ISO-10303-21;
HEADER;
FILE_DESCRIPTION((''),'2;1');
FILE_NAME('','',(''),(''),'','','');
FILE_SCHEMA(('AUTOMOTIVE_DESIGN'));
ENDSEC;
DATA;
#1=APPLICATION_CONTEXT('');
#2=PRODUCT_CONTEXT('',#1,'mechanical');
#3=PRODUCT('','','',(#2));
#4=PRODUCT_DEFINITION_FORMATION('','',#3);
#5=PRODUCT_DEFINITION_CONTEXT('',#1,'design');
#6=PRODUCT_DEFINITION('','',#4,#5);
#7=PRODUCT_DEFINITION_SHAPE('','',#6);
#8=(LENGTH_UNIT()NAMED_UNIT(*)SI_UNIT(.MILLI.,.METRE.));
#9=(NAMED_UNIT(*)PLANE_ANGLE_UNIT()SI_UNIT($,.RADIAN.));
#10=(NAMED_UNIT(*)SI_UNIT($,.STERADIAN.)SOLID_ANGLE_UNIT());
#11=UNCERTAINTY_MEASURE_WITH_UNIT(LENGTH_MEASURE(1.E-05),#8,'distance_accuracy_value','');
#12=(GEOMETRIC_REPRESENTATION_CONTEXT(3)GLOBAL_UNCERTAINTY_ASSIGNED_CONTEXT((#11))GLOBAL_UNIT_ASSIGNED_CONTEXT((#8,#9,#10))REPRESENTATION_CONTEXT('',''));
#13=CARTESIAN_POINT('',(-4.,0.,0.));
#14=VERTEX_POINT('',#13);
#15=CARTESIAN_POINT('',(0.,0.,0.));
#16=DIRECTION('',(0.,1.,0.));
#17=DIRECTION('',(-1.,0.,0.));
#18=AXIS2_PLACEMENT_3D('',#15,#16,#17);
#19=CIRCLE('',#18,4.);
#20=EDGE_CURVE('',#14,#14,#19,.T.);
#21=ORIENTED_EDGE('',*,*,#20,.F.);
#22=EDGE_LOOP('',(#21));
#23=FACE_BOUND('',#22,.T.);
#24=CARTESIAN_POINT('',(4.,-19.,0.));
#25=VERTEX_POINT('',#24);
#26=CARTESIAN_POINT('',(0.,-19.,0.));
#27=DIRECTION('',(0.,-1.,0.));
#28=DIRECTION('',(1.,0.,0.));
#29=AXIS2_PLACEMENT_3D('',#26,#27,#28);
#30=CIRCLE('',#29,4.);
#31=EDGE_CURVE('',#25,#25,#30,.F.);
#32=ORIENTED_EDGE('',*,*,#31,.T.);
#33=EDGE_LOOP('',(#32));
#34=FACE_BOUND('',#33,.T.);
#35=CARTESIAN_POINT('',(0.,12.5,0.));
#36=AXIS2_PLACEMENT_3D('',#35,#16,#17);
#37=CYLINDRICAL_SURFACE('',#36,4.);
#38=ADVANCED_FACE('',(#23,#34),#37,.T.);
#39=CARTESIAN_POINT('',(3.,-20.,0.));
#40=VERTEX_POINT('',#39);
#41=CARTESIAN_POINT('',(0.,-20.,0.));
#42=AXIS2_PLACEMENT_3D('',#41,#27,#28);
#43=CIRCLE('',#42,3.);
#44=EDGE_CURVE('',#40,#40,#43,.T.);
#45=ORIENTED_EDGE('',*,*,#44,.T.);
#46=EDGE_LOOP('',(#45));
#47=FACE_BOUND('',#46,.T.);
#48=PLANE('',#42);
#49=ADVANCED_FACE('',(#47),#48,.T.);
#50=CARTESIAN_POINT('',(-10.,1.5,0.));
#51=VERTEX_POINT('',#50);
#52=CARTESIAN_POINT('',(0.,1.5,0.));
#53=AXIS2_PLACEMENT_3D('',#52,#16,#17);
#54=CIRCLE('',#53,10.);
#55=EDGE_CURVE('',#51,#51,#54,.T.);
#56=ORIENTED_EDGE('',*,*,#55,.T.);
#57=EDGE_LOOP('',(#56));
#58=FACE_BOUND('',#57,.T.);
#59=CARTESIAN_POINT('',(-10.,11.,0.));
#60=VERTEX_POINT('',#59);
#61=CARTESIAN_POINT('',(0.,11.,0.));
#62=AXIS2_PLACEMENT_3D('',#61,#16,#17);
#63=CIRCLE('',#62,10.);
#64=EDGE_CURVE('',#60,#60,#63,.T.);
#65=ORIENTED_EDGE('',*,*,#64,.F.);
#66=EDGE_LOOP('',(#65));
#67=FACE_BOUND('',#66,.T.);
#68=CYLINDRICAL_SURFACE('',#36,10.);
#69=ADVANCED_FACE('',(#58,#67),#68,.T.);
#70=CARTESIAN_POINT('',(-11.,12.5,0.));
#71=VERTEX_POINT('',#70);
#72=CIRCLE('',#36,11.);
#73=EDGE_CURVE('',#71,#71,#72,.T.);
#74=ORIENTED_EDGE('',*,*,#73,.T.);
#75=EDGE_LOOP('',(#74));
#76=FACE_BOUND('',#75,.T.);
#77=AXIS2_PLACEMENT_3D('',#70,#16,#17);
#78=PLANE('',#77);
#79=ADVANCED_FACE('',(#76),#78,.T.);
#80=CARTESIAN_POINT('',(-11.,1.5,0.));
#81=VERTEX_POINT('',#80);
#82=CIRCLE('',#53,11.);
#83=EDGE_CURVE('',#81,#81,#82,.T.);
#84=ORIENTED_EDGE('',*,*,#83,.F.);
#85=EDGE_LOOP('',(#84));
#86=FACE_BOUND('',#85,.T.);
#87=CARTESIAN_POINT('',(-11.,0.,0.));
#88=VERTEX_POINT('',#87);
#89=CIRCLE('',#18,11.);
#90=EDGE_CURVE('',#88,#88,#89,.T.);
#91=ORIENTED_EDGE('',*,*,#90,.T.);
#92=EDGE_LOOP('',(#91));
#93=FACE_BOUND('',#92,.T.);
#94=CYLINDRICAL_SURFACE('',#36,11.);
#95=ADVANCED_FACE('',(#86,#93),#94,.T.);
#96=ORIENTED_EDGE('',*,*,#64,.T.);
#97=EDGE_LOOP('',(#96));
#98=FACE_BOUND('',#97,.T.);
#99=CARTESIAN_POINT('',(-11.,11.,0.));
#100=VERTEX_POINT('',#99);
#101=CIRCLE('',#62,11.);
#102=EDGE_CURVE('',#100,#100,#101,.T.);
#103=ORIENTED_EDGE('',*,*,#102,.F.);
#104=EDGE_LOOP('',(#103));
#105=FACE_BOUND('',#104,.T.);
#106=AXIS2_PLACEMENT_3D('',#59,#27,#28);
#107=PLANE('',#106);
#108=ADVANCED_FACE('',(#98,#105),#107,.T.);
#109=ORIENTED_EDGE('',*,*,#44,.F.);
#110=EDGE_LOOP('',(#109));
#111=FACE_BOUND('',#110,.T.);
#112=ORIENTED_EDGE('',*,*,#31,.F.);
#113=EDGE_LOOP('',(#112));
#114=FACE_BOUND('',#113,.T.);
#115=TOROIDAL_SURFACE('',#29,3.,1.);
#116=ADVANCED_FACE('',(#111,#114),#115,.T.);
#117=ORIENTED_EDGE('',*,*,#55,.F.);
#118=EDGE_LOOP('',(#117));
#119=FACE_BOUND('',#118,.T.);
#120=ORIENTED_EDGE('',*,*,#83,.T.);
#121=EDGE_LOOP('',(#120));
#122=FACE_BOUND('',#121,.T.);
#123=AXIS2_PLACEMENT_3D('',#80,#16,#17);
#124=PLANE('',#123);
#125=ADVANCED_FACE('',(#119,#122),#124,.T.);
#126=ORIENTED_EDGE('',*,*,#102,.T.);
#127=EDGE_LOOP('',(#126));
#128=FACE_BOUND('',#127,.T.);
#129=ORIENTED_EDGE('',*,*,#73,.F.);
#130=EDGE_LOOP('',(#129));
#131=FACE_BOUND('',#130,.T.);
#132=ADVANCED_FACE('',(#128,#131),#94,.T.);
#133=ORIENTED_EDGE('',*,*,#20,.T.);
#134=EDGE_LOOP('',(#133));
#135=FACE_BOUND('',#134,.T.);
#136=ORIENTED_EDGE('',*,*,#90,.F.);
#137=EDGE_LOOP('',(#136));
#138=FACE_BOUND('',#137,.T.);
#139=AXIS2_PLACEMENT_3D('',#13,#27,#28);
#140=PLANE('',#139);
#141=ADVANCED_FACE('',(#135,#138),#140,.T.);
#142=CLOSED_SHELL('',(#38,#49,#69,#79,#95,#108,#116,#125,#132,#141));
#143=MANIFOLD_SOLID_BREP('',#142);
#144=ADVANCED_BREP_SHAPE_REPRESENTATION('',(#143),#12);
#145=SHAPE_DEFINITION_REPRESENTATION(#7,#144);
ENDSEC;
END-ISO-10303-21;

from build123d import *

# Parameters (mm, degrees)
FILLET1_R = 1


with BuildPart() as part:
    # Sketch1 → Revolve1 (revolve)
    with BuildSketch(Plane.XY):
        Polygon((-4, -20), (-4, 0), (-11, 0), (-11, 1.5), (-10, 1.5), (-10, 11), (-11, 11), (-11, 12.5), (0, 12.5), (0, -20), align=None)
    revolve(axis=Axis((0, 12.5, 0), (0, -1, 0)))

    # Fillet1
    fillet1_edges = [part.edges().sort_by_distance(p)[0] for p in [
        (4, -20, 0),
    ]]
    fillet(fillet1_edges, radius=FILLET1_R)


solid = part.part
